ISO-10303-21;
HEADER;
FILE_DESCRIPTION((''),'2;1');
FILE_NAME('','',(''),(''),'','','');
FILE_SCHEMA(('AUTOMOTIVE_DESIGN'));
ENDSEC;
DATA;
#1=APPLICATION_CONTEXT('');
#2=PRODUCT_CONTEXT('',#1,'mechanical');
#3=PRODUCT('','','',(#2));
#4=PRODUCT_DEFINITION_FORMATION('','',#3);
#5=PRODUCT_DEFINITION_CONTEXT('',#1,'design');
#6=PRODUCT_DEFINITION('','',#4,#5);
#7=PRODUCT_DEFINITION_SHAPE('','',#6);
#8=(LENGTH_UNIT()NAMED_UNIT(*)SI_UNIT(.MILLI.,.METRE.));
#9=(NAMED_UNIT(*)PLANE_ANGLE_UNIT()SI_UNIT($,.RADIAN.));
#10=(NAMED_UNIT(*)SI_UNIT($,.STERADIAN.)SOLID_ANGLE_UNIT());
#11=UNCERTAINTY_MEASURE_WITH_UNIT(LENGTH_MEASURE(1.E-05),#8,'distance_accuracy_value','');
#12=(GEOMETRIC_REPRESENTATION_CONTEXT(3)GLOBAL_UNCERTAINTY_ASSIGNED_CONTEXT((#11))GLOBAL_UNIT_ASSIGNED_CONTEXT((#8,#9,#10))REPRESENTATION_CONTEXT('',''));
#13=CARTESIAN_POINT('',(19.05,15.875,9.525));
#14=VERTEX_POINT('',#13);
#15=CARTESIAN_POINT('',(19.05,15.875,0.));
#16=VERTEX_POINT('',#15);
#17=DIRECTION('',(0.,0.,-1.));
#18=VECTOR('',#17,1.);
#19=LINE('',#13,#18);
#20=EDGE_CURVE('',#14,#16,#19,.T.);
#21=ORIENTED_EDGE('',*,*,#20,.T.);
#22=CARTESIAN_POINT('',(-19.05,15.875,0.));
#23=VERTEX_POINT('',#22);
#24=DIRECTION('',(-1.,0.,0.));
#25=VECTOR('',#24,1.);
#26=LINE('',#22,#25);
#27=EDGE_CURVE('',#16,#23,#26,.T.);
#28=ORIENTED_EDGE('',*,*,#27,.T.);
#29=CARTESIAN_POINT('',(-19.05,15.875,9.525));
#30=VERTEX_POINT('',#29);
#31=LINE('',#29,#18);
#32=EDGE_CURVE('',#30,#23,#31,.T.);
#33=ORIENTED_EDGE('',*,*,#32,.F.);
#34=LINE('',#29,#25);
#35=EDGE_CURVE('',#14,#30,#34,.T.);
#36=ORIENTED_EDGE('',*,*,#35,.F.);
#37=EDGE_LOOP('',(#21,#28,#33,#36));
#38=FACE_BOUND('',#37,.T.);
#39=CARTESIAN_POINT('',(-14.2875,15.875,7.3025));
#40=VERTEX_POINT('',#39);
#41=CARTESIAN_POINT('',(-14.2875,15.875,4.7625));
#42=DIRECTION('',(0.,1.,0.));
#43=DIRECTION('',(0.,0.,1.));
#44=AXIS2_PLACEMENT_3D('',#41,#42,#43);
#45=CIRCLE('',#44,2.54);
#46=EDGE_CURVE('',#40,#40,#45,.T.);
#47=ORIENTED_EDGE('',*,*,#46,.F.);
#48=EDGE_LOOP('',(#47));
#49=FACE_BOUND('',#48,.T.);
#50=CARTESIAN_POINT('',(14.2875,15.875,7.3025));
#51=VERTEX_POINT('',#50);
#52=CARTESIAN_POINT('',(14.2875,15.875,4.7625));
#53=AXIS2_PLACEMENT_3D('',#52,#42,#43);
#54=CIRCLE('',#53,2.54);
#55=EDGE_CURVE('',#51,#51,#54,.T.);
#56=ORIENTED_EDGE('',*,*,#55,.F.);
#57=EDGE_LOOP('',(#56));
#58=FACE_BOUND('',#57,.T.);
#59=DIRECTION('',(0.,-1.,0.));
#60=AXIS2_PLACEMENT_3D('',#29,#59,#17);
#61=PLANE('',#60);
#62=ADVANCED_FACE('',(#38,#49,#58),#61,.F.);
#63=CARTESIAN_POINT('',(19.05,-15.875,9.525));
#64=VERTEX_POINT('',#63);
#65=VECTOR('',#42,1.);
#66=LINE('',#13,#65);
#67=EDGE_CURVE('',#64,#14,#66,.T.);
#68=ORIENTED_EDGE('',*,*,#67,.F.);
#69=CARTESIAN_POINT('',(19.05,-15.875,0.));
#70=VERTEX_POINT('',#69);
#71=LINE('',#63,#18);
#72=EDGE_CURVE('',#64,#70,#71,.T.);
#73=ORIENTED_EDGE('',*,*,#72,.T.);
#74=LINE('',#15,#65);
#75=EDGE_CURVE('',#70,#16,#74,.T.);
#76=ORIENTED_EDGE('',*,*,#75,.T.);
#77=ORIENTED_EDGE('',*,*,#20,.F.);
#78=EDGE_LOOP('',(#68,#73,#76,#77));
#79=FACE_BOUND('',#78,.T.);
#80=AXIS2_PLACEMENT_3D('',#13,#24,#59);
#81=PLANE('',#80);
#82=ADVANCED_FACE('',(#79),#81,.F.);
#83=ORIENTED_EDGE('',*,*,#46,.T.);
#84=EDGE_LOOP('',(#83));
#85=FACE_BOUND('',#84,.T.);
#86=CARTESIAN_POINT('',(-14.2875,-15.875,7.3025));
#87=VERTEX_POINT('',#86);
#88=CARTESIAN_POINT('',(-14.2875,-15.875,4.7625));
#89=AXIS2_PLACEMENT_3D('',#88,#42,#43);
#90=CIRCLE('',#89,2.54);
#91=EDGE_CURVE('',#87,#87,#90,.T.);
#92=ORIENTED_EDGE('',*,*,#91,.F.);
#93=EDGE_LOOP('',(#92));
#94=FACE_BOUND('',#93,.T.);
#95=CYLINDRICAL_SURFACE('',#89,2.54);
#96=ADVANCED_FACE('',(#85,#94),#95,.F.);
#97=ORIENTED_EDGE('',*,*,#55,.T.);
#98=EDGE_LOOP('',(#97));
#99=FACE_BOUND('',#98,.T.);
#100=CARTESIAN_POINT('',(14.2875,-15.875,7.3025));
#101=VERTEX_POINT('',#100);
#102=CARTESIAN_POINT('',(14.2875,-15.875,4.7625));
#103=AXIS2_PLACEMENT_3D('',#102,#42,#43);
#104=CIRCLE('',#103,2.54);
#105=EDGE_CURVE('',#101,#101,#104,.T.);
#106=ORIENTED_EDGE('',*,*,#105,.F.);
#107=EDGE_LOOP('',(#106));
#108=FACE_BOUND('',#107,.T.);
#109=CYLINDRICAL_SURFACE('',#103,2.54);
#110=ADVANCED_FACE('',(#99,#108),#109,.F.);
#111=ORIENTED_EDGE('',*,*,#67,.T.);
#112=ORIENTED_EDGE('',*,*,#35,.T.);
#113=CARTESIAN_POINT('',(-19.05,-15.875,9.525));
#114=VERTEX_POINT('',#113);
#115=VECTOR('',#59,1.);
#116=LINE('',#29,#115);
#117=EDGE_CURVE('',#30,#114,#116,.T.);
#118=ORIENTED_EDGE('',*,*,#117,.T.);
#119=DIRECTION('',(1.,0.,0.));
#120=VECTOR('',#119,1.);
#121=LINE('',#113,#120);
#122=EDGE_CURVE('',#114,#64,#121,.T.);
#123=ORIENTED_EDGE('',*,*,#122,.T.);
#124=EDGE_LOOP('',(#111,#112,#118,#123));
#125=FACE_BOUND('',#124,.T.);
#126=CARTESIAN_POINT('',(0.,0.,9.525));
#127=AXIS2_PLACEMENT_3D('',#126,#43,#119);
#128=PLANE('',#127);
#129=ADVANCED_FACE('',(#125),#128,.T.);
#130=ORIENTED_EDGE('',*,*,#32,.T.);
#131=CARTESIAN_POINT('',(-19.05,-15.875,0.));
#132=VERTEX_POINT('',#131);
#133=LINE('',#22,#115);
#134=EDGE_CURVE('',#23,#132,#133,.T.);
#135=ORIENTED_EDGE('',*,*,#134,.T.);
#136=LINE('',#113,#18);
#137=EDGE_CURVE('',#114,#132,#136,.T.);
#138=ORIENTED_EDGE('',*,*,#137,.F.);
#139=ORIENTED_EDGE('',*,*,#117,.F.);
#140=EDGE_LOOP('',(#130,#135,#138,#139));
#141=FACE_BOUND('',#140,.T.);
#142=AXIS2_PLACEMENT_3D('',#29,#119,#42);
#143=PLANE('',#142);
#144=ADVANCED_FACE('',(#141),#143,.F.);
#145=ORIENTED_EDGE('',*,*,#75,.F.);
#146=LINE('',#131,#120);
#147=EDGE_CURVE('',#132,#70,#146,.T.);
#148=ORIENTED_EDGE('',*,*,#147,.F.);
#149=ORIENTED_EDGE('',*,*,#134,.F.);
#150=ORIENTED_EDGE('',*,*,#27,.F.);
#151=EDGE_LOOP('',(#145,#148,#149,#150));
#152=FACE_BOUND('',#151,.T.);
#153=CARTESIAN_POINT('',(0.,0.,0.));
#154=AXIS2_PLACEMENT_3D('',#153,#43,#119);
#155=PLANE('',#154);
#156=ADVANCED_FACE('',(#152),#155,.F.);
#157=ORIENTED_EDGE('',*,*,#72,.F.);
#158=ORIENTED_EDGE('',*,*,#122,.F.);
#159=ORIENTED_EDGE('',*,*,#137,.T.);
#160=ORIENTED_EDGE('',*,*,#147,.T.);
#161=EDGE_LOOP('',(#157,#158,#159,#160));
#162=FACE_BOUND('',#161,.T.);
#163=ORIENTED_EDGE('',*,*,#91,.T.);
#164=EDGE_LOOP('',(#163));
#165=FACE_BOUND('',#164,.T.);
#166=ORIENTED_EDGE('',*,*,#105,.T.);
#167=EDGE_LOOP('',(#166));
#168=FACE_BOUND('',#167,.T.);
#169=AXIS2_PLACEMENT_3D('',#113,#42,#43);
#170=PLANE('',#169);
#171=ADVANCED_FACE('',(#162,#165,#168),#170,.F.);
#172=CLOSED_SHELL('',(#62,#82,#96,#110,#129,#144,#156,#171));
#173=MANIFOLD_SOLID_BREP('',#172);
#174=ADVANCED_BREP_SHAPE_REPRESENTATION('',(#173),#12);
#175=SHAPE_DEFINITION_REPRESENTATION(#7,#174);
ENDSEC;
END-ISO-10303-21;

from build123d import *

# Parameters (mm, degrees)
SKETCH1_W                 = 38.1
SKETCH1_H                 = 31.75
BOSS_EXTRUDE1_DEPTH       = 9.525
F_6_32_TAPPED_HOLE1_D     = 2.7051
F_6_32_TAPPED_HOLE1_DEPTH = 7.62
F_6_32_TAPPED_HOLE1_TIP   = 0.81269403
F_6_32_TAPPED_HOLE2_D     = 2.7051
F_6_32_TAPPED_HOLE2_DEPTH = 9.38784
F_6_32_TAPPED_HOLE2_TIP   = 0.81269403
SKETCH2_R                 = 2.54
CUT_EXTRUDE1_DEPTH        = 39.232062788


with BuildPart() as part:
    # Sketch1 → Boss-Extrude1 (new body)
    with BuildSketch(Plane.XY):
        Rectangle(SKETCH1_W, SKETCH1_H)
    extrude(amount=BOSS_EXTRUDE1_DEPTH)

    # #6-32 Tapped Hole1
    with Locations(Plane(origin=(0, 15.875, 0), x_dir=(1, 0, 0), z_dir=(0, 1, 0))):
        with Locations((-14.2875, -4.7625), (14.2875, -4.7625)):
            Hole(F_6_32_TAPPED_HOLE1_D / 2, depth=F_6_32_TAPPED_HOLE1_DEPTH)
            with Locations((0, 0, -(F_6_32_TAPPED_HOLE1_DEPTH + F_6_32_TAPPED_HOLE1_TIP / 2))):  # 118° drill point
                Cone(0, F_6_32_TAPPED_HOLE1_D / 2, F_6_32_TAPPED_HOLE1_TIP, mode=Mode.SUBTRACT)

    # #6-32 Tapped Hole2
    with Locations(Plane(origin=(0, -15.875, 0), x_dir=(-1, 0, 0), z_dir=(0, -1, 0))):
        with Locations((-14.2875, -4.7625), (14.2875, -4.7625)):
            Hole(F_6_32_TAPPED_HOLE2_D / 2, depth=F_6_32_TAPPED_HOLE2_DEPTH)
            with Locations((0, 0, -(F_6_32_TAPPED_HOLE2_DEPTH + F_6_32_TAPPED_HOLE2_TIP / 2))):  # 118° drill point
                Cone(0, F_6_32_TAPPED_HOLE2_D / 2, F_6_32_TAPPED_HOLE2_TIP, mode=Mode.SUBTRACT)

    # Sketch2 → Cut-Extrude1 (cut, through all)
    with BuildSketch(Plane(origin=(0, 15.875, 0), x_dir=(1, 0, 0), z_dir=(0, 1, 0))):
        with Locations(Location((-14.2875, -4.7625, 0), (0, 0, 270))):
            Circle(SKETCH2_R)
        with Locations(Location((14.2875, -4.7625, 0), (0, 0, 270))):
            Circle(SKETCH2_R)
    extrude(amount=-CUT_EXTRUDE1_DEPTH, mode=Mode.SUBTRACT)


solid = part.part
